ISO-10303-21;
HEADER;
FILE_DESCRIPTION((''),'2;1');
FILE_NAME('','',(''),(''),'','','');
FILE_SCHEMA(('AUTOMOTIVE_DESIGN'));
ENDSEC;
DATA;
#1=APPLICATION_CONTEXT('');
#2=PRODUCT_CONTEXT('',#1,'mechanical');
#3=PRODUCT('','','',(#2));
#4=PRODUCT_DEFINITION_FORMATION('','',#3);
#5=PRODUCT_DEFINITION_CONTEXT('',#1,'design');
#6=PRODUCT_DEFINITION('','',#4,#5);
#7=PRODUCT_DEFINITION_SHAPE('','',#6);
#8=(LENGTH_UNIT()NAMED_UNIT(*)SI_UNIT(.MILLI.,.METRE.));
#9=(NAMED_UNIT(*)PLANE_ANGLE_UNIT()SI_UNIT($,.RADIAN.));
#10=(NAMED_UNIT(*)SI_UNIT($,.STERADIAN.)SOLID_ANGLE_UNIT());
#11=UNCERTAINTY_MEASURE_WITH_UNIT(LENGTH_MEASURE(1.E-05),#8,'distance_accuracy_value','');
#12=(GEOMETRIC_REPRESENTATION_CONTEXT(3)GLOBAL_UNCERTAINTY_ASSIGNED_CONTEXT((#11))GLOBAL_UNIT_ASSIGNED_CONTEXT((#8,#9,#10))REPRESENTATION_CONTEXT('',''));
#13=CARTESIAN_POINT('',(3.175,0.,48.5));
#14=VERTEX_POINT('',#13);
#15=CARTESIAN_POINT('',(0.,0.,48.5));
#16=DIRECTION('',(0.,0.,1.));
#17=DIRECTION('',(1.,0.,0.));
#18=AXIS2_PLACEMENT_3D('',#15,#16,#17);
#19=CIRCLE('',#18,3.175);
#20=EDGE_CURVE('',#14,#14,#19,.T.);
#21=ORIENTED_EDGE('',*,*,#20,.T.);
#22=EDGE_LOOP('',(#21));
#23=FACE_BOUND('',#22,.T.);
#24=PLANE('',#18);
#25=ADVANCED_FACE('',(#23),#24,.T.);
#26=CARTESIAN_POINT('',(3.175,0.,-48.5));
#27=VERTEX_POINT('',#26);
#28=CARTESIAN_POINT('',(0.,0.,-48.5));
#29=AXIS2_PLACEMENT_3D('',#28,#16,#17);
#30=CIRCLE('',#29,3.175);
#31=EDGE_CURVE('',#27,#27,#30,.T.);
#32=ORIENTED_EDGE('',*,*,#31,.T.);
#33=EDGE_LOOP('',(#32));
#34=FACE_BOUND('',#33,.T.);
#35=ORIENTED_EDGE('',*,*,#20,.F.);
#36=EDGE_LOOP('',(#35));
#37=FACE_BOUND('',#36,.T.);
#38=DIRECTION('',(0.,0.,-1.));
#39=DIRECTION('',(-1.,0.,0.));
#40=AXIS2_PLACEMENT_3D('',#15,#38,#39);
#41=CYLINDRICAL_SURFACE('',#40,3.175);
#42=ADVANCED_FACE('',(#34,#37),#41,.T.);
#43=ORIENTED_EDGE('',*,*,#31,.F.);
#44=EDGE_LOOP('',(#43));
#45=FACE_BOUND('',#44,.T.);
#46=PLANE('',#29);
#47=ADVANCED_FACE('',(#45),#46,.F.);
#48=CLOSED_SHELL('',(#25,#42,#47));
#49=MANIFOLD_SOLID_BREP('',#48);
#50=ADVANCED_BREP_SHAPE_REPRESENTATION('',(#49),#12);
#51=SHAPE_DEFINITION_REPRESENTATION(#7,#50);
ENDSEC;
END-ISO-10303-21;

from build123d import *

# Parameters (mm, degrees)
SKETCH1_R           = 3.175
BOSS_EXTRUDE1_DEPTH = 48.5


with BuildPart() as part:
    # Sketch1 → Boss-Extrude1 (new body, symmetric)
    with BuildSketch(Plane.XY):
        Circle(SKETCH1_R)
    extrude(amount=BOSS_EXTRUDE1_DEPTH, both=True)


solid = part.part
